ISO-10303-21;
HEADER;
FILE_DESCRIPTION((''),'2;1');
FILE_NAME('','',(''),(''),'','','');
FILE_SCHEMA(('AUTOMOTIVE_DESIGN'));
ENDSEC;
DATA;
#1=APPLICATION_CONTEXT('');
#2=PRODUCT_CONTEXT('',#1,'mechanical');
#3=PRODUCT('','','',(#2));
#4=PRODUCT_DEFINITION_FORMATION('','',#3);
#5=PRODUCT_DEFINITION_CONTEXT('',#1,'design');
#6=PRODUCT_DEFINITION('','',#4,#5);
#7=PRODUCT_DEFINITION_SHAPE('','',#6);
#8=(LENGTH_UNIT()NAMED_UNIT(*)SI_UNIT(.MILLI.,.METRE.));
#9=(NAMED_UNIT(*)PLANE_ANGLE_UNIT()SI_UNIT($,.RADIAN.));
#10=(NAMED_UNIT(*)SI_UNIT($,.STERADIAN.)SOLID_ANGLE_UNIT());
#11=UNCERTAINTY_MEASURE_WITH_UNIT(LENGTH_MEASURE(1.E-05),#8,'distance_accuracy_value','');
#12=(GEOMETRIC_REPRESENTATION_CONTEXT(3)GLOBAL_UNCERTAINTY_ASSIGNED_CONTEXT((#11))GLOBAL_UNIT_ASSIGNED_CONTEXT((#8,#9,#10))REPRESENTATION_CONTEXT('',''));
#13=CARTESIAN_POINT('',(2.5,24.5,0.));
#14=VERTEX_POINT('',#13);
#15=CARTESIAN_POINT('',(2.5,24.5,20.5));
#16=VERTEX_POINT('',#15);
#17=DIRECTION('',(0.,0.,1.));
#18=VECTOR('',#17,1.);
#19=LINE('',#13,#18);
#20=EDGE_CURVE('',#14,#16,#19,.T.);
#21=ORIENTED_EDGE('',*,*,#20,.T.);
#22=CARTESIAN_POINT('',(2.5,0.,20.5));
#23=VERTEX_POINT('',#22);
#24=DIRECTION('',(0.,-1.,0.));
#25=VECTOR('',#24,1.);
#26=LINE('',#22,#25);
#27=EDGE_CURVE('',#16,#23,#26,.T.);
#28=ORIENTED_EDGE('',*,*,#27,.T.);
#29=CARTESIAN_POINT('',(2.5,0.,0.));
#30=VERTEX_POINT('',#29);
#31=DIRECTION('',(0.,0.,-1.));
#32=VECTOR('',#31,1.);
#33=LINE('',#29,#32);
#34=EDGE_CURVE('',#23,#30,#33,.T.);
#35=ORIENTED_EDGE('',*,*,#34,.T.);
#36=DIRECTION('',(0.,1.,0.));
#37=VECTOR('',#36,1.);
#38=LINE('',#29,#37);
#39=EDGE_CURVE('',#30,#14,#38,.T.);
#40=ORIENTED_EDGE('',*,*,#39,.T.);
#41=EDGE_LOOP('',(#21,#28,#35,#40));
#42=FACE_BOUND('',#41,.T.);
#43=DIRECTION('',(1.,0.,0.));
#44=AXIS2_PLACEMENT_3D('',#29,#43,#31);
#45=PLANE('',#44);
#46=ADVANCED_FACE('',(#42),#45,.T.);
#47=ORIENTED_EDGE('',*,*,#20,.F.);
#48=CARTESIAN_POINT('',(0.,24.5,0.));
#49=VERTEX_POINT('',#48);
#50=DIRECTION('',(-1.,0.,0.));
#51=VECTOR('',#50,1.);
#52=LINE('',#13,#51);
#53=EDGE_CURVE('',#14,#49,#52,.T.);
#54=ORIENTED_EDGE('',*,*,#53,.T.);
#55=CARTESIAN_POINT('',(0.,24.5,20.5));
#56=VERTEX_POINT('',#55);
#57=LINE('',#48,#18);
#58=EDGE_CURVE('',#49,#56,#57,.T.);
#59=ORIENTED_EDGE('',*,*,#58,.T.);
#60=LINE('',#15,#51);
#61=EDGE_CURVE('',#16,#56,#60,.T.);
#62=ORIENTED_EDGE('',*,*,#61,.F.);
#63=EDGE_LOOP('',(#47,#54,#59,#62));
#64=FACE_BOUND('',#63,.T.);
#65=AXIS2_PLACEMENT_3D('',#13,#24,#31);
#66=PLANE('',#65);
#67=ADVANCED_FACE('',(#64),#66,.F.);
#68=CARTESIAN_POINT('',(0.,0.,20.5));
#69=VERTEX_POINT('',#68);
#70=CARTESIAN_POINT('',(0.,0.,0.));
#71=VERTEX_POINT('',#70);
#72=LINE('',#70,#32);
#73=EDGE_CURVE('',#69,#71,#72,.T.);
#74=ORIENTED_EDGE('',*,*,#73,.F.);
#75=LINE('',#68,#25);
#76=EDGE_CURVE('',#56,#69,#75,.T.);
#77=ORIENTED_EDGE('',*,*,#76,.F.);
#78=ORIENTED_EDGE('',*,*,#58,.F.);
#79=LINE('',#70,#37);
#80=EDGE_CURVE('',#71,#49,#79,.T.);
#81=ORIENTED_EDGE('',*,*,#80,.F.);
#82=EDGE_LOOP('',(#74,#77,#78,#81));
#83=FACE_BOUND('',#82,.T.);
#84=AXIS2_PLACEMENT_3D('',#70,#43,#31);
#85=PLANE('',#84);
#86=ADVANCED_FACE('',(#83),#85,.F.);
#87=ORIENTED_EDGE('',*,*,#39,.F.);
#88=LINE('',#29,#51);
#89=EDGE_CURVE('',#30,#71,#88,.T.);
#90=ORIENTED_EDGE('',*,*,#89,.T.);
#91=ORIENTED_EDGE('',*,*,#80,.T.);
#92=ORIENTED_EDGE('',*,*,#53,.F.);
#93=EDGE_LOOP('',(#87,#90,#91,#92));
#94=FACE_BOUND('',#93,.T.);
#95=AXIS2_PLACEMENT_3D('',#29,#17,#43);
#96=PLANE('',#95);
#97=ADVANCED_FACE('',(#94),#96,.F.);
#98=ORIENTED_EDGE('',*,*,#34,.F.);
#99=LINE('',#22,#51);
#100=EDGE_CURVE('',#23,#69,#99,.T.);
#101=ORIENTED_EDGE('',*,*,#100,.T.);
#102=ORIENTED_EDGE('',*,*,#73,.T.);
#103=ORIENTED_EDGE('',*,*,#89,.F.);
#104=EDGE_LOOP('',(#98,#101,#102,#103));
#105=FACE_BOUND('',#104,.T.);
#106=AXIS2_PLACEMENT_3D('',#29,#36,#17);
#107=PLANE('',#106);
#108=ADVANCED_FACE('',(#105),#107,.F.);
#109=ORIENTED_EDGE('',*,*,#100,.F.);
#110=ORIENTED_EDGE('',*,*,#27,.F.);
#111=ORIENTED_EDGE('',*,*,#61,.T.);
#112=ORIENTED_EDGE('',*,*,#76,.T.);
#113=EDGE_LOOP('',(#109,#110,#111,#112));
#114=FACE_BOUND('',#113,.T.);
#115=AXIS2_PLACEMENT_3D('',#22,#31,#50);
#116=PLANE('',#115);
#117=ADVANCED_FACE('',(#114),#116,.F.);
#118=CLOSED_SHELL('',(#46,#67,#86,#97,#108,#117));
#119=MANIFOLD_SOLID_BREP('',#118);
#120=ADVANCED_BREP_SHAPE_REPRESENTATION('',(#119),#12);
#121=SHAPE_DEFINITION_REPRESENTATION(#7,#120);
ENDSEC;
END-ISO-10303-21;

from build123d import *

# Parameters (mm, degrees)
ESBO_O1_W                = 20.5
ESBO_O1_H                = 24.5
RESSALTO_EXTRUS_O1_DEPTH = 2.5


with BuildPart() as part:
    # Esboço1 → Ressalto-extrusão1 (new body)
    with BuildSketch(Plane(origin=(0, 0, 0), x_dir=(0, 0, -1), z_dir=(1, 0, 0))):
        with Locations((-10.25, 12.25)):
            Rectangle(ESBO_O1_W, ESBO_O1_H)
    extrude(amount=RESSALTO_EXTRUS_O1_DEPTH)


solid = part.part
